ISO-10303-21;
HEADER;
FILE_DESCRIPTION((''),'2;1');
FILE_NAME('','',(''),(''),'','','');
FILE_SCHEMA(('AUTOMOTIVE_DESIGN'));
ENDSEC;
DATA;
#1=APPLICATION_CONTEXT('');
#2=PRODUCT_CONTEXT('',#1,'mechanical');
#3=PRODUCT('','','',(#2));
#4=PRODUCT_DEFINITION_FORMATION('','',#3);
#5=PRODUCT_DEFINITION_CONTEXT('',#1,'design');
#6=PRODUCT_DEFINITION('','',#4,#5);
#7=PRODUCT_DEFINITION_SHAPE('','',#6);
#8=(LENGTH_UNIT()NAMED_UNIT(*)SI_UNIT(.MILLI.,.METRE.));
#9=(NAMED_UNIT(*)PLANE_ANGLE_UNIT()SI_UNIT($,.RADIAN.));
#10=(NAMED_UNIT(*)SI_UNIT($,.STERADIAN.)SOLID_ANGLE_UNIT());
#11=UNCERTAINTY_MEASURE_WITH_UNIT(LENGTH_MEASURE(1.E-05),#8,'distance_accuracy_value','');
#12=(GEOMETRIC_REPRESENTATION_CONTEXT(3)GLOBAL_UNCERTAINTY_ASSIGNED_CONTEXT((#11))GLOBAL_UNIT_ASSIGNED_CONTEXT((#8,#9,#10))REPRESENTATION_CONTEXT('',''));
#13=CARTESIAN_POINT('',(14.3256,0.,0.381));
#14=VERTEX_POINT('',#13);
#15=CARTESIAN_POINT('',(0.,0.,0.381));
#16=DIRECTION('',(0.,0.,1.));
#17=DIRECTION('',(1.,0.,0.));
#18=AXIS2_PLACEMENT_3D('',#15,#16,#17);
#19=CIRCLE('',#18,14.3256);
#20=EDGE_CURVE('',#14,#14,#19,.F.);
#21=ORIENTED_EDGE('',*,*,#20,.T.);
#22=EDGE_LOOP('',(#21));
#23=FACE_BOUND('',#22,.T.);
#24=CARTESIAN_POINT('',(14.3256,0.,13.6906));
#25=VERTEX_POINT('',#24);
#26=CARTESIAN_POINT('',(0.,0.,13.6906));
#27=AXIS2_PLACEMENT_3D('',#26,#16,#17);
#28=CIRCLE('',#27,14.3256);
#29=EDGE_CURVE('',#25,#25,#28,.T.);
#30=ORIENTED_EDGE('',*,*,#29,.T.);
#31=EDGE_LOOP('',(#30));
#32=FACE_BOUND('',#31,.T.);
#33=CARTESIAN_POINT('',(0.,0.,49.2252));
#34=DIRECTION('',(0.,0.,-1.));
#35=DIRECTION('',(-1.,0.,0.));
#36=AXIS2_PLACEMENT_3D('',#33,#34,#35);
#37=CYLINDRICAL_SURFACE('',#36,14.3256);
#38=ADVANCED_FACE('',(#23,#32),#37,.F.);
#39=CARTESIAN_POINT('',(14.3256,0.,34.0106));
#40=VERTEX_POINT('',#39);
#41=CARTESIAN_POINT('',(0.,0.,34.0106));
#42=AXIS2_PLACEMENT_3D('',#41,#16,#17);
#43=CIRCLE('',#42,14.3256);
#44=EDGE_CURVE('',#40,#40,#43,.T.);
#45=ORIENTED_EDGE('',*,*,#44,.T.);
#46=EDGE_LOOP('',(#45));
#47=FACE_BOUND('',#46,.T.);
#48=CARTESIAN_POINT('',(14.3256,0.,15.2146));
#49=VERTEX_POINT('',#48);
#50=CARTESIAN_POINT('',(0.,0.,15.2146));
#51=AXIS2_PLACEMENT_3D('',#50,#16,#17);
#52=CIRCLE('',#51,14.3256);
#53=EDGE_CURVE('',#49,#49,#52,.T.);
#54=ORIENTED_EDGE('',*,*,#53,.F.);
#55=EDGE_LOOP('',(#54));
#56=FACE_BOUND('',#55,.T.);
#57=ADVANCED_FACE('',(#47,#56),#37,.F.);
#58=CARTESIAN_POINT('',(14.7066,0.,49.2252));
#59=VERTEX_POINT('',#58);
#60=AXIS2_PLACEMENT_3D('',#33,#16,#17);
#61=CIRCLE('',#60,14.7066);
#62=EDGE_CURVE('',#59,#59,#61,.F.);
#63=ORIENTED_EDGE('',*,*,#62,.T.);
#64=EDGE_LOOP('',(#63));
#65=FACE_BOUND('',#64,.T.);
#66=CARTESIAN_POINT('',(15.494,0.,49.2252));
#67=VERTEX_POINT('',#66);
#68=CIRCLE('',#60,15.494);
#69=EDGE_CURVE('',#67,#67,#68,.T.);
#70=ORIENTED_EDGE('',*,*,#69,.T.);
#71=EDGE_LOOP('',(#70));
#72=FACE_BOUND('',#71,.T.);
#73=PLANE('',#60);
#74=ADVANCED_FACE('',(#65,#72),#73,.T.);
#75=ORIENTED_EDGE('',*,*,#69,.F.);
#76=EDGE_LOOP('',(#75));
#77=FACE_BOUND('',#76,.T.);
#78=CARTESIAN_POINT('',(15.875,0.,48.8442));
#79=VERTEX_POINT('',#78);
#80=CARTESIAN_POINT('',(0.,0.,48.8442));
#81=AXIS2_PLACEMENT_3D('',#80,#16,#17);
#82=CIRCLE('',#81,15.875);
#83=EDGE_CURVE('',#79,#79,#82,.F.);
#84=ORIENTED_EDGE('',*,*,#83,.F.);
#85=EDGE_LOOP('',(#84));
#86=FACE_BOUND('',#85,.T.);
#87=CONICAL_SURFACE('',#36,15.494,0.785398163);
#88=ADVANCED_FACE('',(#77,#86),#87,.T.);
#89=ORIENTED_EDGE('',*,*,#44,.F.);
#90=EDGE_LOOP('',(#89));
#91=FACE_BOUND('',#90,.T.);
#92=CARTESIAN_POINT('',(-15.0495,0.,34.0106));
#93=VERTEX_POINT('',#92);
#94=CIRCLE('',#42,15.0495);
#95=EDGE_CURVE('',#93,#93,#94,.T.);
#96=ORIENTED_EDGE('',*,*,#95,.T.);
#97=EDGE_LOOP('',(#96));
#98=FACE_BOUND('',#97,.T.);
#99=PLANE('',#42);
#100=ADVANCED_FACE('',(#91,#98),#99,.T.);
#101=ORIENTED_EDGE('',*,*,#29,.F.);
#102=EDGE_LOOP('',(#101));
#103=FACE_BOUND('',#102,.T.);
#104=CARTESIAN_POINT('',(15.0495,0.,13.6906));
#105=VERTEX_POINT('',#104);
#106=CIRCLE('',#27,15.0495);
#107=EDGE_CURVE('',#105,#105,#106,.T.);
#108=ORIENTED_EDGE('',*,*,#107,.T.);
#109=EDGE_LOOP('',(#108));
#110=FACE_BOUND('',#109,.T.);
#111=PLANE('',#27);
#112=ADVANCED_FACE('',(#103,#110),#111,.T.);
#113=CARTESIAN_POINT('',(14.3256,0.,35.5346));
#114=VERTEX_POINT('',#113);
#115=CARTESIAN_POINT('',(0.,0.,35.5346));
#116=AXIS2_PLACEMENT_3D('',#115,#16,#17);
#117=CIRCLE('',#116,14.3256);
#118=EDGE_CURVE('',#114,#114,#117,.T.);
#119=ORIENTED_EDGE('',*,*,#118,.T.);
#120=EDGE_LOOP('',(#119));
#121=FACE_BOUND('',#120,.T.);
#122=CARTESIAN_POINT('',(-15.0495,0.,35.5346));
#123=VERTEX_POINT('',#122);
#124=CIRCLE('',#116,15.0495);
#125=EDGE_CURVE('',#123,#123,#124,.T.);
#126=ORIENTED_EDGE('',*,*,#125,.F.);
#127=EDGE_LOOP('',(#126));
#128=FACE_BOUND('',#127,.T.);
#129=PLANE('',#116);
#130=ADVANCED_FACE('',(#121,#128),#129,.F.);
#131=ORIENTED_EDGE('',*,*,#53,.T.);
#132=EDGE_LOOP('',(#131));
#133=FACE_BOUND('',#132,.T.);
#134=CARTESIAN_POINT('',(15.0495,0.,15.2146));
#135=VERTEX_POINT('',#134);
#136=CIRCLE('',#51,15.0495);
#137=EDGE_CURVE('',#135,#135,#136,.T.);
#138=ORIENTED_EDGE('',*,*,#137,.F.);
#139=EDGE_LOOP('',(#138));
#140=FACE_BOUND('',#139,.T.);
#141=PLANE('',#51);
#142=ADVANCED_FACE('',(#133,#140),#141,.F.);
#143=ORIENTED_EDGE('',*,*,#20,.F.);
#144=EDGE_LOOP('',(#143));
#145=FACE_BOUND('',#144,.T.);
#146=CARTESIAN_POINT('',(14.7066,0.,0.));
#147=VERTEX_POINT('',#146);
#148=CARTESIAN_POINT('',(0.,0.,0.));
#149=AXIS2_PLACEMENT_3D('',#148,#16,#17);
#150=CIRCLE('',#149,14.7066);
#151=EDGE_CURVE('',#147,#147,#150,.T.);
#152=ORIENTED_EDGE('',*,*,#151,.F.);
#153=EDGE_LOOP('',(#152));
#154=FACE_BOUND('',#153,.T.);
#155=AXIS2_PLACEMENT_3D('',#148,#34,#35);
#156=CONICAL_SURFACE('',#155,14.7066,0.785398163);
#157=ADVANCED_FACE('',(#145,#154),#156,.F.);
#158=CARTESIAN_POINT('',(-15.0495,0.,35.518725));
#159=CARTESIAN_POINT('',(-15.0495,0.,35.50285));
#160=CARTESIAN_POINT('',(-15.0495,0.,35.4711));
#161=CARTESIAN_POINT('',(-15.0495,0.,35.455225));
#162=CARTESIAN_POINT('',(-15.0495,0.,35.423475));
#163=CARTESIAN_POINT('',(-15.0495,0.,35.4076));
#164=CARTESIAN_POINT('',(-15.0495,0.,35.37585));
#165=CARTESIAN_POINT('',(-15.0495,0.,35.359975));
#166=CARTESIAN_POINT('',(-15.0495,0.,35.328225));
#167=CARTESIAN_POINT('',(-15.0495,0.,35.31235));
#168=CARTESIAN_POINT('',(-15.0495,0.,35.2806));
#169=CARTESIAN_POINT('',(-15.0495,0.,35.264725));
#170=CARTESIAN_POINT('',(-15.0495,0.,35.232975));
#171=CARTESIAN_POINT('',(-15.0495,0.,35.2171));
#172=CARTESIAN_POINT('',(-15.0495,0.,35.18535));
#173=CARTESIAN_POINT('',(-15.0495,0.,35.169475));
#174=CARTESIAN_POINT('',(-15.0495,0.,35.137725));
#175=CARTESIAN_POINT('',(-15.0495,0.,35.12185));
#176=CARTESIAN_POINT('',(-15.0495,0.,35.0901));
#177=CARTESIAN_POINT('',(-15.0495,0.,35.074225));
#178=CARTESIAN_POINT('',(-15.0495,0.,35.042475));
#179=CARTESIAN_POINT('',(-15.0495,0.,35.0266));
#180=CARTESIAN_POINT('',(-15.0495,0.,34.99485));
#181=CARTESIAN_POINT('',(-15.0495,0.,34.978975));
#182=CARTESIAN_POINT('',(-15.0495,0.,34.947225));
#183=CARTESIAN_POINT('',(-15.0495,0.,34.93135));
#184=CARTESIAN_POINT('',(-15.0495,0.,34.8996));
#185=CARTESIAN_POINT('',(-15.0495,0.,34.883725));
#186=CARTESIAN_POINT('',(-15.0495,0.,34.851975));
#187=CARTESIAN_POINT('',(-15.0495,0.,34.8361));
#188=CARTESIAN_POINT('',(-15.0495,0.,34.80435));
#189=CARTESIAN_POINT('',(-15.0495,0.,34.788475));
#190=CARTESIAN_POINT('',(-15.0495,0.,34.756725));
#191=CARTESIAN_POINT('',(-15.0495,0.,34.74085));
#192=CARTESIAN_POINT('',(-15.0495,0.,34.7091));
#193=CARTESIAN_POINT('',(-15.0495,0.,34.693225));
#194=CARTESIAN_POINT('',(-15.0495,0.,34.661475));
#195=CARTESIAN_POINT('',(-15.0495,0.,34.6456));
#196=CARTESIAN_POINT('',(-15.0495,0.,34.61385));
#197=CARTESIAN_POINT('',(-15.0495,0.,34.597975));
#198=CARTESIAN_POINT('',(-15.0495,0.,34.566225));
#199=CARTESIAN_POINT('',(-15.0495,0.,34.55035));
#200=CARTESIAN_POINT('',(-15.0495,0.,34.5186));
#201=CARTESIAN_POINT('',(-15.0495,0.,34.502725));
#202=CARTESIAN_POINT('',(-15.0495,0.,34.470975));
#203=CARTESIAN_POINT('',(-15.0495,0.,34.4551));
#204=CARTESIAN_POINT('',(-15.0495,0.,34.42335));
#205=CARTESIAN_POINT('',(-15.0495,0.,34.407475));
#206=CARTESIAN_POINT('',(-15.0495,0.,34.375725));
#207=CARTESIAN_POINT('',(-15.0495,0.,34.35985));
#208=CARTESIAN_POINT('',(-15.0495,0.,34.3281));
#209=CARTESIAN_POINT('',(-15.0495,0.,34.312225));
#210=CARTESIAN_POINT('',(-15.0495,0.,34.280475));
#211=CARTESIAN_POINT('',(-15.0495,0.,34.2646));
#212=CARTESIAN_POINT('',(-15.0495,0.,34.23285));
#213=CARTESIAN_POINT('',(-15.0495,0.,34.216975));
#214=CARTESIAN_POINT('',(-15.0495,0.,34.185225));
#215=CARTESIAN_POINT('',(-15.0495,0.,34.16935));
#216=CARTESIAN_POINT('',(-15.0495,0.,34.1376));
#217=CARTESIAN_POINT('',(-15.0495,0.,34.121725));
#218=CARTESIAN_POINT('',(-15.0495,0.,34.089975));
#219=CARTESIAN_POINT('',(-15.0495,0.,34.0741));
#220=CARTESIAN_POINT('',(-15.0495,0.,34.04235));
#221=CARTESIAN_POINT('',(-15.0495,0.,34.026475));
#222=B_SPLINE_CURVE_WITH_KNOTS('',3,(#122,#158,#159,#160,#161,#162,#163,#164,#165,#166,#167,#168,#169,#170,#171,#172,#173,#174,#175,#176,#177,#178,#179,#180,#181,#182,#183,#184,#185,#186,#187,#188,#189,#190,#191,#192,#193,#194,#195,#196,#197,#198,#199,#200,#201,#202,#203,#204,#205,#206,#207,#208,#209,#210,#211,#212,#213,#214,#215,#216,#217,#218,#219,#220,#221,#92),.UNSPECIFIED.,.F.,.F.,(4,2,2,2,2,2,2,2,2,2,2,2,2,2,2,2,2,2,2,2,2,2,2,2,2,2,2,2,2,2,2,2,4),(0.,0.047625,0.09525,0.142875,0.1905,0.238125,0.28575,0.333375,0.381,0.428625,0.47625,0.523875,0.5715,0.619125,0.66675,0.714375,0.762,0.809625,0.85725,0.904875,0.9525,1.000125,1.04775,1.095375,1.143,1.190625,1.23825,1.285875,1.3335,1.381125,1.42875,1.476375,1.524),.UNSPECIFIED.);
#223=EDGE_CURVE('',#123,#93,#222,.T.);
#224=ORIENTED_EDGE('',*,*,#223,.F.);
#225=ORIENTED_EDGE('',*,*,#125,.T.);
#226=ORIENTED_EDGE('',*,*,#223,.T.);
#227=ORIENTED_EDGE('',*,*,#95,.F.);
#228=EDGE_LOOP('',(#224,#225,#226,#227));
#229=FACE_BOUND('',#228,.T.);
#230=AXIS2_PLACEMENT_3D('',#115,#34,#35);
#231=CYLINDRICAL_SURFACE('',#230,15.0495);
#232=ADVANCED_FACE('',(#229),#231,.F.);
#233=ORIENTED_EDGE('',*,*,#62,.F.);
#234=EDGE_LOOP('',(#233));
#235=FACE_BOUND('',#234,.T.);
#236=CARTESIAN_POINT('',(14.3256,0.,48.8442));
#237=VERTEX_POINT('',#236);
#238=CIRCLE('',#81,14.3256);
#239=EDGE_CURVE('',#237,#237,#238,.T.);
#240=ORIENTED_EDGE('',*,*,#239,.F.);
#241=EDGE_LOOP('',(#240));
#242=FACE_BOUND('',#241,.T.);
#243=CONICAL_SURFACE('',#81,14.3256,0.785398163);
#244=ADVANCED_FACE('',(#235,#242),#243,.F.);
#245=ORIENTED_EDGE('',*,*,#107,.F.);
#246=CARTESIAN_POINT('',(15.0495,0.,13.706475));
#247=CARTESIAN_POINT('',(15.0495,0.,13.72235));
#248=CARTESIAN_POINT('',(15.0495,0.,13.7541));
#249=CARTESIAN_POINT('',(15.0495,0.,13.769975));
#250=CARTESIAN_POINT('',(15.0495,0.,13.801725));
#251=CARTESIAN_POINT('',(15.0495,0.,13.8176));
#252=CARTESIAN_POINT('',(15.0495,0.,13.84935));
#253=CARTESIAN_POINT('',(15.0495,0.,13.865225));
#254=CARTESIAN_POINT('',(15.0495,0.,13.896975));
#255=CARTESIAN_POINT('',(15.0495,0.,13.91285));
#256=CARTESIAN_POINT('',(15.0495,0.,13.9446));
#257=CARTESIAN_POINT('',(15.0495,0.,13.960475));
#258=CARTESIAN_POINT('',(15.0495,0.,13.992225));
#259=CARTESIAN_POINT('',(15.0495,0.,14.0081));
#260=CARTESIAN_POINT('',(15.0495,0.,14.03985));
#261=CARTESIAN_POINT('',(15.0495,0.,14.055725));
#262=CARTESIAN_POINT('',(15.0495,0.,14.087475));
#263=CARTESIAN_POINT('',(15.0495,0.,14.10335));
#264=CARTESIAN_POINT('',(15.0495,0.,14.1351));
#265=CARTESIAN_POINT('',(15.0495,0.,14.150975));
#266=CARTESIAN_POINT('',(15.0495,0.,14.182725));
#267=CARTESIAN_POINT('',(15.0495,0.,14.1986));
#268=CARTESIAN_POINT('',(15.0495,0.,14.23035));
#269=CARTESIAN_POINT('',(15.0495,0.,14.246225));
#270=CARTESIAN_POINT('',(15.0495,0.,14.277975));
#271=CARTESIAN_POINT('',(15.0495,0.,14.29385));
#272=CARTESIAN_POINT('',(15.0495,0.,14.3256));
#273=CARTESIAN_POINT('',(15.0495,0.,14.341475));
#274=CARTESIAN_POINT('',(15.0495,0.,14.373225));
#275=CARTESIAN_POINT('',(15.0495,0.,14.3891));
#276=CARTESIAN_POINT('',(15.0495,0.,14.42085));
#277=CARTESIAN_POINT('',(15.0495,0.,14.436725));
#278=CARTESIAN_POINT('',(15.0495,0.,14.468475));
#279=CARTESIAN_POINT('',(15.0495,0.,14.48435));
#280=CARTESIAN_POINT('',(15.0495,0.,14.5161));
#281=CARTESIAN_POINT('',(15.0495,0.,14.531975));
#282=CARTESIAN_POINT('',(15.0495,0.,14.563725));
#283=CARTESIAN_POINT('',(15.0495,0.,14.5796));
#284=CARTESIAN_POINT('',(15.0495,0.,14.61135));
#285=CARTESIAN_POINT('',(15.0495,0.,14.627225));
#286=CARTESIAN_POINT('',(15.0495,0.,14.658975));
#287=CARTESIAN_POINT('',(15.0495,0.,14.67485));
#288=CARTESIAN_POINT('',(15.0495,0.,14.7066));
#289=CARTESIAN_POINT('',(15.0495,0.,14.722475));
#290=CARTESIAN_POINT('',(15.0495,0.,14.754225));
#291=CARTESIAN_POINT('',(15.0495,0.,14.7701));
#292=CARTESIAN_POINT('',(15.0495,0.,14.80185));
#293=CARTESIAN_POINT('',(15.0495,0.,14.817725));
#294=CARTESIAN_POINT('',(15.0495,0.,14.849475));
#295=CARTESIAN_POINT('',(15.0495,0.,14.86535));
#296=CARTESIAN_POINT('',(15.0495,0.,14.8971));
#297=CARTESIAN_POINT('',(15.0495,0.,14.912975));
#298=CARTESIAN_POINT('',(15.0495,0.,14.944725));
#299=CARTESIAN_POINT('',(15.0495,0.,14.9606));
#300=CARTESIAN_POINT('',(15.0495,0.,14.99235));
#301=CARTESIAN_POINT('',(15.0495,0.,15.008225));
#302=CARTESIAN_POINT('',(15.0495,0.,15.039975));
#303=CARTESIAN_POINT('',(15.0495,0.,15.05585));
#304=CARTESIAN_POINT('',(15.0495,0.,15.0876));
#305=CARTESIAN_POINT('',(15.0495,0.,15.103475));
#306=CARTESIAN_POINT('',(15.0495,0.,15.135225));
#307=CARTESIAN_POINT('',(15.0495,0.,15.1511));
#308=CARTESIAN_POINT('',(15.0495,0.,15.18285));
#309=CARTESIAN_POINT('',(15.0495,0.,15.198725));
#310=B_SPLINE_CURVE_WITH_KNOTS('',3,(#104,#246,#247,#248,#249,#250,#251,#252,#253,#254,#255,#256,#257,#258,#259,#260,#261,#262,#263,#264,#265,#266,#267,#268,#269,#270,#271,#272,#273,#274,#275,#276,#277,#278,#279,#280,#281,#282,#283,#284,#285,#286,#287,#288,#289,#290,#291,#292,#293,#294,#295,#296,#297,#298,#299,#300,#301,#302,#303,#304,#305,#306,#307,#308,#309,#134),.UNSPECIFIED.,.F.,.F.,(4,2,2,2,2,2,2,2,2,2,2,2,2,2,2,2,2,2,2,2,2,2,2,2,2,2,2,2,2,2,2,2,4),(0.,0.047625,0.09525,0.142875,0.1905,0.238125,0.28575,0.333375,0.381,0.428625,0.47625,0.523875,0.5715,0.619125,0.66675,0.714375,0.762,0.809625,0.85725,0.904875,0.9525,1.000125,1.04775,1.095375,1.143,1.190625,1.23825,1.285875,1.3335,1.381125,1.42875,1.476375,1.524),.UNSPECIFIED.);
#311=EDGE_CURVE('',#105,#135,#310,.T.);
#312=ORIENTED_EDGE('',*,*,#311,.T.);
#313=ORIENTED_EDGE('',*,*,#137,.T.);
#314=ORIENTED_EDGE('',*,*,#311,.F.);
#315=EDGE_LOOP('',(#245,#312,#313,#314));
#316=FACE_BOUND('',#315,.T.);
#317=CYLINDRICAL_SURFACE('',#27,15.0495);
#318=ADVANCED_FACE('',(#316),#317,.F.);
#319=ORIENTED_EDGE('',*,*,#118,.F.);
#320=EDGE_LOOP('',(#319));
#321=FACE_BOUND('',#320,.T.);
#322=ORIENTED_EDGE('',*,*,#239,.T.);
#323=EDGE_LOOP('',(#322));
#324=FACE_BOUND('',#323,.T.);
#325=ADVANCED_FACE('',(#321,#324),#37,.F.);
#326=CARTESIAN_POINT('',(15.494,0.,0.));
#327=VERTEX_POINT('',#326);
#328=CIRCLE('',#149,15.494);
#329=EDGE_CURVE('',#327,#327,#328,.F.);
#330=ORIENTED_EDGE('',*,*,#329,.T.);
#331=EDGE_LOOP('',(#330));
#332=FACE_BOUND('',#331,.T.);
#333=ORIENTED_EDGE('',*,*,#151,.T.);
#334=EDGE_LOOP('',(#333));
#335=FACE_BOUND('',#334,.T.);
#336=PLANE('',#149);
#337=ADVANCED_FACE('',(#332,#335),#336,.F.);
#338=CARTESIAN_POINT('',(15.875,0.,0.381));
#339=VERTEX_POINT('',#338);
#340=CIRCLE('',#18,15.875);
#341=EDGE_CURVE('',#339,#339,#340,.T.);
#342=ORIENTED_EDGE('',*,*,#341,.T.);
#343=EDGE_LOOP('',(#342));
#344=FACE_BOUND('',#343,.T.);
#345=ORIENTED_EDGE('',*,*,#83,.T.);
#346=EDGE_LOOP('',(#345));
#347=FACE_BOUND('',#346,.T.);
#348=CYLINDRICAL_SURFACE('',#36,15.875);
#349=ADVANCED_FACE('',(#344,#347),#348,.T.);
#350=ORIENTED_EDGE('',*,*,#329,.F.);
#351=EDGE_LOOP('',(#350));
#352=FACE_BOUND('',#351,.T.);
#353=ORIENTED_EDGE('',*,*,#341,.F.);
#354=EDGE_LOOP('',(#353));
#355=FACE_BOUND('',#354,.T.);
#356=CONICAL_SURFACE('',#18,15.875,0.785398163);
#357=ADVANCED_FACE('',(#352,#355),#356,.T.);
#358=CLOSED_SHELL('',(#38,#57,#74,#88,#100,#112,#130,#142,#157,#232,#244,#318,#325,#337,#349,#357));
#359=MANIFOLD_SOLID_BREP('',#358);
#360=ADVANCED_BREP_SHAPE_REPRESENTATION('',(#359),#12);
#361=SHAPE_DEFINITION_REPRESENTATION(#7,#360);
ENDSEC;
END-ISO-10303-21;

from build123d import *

# Parameters (mm, degrees)
SKETCH1_R          = 15.875
SKETCH1_R_2        = 14.3256
BASE_EXTRUDE_DEPTH = 49.2252
CHAMFER1_SIZE      = 0.381
SKETCH2_R          = 15.0495
CUT_EXTRUDE1_DEPTH = 1.524
CUT_EXTRUDE2_START = 1.524
SKETCH3_R          = 15.0495
CUT_EXTRUDE2_DEPTH = 1.524


with BuildPart() as part:
    # Sketch1 → Base-Extrude (new body)
    with BuildSketch(Plane.XY):
        Circle(SKETCH1_R)
        Circle(SKETCH1_R_2, mode=Mode.SUBTRACT)
    extrude(amount=BASE_EXTRUDE_DEPTH)

    # Chamfer1
    chamfer1_edges = [part.edges().sort_by_distance(p)[0] for p in [
        (-15.875, 0, 0),
        (-15.875, 0, 49.2252),
        (-14.3256, 0, 0),
        (-14.3256, 0, 49.2252),
    ]]
    chamfer(chamfer1_edges, length=CHAMFER1_SIZE)

    # Sketch2 → Cut-Extrude1 (cut)
    with BuildSketch(Plane.XY.offset(15.2146)):
        Circle(SKETCH2_R)
    extrude(amount=-CUT_EXTRUDE1_DEPTH, mode=Mode.SUBTRACT)

    # Sketch3 → Cut-Extrude2 (cut)
    with BuildSketch(Plane.XY.offset(34.0106).offset(CUT_EXTRUDE2_START)):
        Circle(SKETCH3_R)
    extrude(amount=-CUT_EXTRUDE2_DEPTH, mode=Mode.SUBTRACT)


solid = part.part
